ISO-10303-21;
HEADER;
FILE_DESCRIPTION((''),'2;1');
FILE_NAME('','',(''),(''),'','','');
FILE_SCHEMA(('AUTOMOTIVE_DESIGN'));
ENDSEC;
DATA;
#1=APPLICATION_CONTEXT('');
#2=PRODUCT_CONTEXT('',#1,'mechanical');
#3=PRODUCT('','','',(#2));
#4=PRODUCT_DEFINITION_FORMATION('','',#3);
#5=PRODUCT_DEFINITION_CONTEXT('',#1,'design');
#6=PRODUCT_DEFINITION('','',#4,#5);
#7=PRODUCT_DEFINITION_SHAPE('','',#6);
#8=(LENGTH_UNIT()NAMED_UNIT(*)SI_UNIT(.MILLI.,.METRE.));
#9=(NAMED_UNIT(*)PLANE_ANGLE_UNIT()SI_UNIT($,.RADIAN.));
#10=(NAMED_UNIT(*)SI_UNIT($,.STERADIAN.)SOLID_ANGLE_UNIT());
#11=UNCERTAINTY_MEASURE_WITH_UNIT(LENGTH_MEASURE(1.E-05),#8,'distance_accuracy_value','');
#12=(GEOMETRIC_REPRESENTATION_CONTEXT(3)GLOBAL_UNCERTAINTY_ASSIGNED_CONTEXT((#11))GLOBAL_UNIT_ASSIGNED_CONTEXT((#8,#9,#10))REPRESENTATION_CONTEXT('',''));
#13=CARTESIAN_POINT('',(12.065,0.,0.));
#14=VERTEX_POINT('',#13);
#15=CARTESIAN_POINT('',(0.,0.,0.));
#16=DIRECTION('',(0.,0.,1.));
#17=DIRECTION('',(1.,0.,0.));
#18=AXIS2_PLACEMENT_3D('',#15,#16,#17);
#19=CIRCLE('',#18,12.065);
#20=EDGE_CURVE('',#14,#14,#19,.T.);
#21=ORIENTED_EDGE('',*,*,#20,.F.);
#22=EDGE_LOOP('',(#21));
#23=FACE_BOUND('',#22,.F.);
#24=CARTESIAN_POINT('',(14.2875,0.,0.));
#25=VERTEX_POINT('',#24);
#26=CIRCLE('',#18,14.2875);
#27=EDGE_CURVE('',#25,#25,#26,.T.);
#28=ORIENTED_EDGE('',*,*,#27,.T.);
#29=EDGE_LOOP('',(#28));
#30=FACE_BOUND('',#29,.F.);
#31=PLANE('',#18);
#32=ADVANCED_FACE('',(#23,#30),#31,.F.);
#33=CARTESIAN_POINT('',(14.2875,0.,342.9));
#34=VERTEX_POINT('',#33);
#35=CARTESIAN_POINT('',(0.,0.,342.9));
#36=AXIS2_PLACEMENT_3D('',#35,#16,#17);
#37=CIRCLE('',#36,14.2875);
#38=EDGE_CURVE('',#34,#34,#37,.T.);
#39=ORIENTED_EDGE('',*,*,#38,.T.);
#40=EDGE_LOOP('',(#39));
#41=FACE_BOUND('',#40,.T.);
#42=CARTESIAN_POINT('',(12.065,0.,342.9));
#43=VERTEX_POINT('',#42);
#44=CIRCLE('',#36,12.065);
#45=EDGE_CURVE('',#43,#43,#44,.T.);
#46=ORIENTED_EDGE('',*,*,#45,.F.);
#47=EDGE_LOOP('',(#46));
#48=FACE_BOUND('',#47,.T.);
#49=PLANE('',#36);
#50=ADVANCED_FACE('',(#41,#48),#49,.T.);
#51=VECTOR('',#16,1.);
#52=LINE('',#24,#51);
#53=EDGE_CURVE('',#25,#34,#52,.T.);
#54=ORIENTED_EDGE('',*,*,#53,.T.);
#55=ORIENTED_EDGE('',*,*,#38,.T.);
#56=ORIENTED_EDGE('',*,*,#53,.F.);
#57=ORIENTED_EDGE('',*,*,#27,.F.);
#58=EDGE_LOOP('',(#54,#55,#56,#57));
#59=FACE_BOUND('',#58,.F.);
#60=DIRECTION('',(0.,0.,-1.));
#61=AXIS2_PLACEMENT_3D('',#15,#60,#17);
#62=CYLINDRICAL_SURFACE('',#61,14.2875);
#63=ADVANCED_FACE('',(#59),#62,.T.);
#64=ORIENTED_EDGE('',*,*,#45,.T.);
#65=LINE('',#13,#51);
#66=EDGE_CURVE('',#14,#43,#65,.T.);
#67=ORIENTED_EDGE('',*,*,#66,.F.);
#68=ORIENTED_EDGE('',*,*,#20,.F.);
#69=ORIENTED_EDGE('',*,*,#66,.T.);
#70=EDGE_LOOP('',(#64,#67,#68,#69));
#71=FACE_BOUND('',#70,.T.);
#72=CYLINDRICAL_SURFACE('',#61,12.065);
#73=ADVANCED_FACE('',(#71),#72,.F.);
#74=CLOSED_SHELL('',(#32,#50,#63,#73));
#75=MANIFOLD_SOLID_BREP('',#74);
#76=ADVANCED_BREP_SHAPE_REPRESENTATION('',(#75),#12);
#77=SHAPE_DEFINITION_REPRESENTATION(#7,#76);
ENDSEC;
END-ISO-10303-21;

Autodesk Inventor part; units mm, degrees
ref_plane "YZ Plane" through (0, 0, 0) normal (1, 0, 0) x (0, 1, 0)
ref_plane "XZ Plane" through (0, 0, 0) normal (0, 1, 0) x (-1, 0, 0)
ref_plane "XY Plane" through (0, 0, 0) normal (0, 0, 1) x (1, 0, 0)
sketch "Sketch1" plane through (0, 0, 0) normal (0, 0, 1) x (1, 0, 0)
  circle A0 centre (0, 0) radius 14.2875
  circle A1 centre (0, 0) radius 12.065
  dimension "d0" = 28.575
  dimension "d1" = 24.13
extrude "Extrusion1" add sketch "Sketch1" along normal blind 342.9
properties part number "1in Actuator Housing 1764"
